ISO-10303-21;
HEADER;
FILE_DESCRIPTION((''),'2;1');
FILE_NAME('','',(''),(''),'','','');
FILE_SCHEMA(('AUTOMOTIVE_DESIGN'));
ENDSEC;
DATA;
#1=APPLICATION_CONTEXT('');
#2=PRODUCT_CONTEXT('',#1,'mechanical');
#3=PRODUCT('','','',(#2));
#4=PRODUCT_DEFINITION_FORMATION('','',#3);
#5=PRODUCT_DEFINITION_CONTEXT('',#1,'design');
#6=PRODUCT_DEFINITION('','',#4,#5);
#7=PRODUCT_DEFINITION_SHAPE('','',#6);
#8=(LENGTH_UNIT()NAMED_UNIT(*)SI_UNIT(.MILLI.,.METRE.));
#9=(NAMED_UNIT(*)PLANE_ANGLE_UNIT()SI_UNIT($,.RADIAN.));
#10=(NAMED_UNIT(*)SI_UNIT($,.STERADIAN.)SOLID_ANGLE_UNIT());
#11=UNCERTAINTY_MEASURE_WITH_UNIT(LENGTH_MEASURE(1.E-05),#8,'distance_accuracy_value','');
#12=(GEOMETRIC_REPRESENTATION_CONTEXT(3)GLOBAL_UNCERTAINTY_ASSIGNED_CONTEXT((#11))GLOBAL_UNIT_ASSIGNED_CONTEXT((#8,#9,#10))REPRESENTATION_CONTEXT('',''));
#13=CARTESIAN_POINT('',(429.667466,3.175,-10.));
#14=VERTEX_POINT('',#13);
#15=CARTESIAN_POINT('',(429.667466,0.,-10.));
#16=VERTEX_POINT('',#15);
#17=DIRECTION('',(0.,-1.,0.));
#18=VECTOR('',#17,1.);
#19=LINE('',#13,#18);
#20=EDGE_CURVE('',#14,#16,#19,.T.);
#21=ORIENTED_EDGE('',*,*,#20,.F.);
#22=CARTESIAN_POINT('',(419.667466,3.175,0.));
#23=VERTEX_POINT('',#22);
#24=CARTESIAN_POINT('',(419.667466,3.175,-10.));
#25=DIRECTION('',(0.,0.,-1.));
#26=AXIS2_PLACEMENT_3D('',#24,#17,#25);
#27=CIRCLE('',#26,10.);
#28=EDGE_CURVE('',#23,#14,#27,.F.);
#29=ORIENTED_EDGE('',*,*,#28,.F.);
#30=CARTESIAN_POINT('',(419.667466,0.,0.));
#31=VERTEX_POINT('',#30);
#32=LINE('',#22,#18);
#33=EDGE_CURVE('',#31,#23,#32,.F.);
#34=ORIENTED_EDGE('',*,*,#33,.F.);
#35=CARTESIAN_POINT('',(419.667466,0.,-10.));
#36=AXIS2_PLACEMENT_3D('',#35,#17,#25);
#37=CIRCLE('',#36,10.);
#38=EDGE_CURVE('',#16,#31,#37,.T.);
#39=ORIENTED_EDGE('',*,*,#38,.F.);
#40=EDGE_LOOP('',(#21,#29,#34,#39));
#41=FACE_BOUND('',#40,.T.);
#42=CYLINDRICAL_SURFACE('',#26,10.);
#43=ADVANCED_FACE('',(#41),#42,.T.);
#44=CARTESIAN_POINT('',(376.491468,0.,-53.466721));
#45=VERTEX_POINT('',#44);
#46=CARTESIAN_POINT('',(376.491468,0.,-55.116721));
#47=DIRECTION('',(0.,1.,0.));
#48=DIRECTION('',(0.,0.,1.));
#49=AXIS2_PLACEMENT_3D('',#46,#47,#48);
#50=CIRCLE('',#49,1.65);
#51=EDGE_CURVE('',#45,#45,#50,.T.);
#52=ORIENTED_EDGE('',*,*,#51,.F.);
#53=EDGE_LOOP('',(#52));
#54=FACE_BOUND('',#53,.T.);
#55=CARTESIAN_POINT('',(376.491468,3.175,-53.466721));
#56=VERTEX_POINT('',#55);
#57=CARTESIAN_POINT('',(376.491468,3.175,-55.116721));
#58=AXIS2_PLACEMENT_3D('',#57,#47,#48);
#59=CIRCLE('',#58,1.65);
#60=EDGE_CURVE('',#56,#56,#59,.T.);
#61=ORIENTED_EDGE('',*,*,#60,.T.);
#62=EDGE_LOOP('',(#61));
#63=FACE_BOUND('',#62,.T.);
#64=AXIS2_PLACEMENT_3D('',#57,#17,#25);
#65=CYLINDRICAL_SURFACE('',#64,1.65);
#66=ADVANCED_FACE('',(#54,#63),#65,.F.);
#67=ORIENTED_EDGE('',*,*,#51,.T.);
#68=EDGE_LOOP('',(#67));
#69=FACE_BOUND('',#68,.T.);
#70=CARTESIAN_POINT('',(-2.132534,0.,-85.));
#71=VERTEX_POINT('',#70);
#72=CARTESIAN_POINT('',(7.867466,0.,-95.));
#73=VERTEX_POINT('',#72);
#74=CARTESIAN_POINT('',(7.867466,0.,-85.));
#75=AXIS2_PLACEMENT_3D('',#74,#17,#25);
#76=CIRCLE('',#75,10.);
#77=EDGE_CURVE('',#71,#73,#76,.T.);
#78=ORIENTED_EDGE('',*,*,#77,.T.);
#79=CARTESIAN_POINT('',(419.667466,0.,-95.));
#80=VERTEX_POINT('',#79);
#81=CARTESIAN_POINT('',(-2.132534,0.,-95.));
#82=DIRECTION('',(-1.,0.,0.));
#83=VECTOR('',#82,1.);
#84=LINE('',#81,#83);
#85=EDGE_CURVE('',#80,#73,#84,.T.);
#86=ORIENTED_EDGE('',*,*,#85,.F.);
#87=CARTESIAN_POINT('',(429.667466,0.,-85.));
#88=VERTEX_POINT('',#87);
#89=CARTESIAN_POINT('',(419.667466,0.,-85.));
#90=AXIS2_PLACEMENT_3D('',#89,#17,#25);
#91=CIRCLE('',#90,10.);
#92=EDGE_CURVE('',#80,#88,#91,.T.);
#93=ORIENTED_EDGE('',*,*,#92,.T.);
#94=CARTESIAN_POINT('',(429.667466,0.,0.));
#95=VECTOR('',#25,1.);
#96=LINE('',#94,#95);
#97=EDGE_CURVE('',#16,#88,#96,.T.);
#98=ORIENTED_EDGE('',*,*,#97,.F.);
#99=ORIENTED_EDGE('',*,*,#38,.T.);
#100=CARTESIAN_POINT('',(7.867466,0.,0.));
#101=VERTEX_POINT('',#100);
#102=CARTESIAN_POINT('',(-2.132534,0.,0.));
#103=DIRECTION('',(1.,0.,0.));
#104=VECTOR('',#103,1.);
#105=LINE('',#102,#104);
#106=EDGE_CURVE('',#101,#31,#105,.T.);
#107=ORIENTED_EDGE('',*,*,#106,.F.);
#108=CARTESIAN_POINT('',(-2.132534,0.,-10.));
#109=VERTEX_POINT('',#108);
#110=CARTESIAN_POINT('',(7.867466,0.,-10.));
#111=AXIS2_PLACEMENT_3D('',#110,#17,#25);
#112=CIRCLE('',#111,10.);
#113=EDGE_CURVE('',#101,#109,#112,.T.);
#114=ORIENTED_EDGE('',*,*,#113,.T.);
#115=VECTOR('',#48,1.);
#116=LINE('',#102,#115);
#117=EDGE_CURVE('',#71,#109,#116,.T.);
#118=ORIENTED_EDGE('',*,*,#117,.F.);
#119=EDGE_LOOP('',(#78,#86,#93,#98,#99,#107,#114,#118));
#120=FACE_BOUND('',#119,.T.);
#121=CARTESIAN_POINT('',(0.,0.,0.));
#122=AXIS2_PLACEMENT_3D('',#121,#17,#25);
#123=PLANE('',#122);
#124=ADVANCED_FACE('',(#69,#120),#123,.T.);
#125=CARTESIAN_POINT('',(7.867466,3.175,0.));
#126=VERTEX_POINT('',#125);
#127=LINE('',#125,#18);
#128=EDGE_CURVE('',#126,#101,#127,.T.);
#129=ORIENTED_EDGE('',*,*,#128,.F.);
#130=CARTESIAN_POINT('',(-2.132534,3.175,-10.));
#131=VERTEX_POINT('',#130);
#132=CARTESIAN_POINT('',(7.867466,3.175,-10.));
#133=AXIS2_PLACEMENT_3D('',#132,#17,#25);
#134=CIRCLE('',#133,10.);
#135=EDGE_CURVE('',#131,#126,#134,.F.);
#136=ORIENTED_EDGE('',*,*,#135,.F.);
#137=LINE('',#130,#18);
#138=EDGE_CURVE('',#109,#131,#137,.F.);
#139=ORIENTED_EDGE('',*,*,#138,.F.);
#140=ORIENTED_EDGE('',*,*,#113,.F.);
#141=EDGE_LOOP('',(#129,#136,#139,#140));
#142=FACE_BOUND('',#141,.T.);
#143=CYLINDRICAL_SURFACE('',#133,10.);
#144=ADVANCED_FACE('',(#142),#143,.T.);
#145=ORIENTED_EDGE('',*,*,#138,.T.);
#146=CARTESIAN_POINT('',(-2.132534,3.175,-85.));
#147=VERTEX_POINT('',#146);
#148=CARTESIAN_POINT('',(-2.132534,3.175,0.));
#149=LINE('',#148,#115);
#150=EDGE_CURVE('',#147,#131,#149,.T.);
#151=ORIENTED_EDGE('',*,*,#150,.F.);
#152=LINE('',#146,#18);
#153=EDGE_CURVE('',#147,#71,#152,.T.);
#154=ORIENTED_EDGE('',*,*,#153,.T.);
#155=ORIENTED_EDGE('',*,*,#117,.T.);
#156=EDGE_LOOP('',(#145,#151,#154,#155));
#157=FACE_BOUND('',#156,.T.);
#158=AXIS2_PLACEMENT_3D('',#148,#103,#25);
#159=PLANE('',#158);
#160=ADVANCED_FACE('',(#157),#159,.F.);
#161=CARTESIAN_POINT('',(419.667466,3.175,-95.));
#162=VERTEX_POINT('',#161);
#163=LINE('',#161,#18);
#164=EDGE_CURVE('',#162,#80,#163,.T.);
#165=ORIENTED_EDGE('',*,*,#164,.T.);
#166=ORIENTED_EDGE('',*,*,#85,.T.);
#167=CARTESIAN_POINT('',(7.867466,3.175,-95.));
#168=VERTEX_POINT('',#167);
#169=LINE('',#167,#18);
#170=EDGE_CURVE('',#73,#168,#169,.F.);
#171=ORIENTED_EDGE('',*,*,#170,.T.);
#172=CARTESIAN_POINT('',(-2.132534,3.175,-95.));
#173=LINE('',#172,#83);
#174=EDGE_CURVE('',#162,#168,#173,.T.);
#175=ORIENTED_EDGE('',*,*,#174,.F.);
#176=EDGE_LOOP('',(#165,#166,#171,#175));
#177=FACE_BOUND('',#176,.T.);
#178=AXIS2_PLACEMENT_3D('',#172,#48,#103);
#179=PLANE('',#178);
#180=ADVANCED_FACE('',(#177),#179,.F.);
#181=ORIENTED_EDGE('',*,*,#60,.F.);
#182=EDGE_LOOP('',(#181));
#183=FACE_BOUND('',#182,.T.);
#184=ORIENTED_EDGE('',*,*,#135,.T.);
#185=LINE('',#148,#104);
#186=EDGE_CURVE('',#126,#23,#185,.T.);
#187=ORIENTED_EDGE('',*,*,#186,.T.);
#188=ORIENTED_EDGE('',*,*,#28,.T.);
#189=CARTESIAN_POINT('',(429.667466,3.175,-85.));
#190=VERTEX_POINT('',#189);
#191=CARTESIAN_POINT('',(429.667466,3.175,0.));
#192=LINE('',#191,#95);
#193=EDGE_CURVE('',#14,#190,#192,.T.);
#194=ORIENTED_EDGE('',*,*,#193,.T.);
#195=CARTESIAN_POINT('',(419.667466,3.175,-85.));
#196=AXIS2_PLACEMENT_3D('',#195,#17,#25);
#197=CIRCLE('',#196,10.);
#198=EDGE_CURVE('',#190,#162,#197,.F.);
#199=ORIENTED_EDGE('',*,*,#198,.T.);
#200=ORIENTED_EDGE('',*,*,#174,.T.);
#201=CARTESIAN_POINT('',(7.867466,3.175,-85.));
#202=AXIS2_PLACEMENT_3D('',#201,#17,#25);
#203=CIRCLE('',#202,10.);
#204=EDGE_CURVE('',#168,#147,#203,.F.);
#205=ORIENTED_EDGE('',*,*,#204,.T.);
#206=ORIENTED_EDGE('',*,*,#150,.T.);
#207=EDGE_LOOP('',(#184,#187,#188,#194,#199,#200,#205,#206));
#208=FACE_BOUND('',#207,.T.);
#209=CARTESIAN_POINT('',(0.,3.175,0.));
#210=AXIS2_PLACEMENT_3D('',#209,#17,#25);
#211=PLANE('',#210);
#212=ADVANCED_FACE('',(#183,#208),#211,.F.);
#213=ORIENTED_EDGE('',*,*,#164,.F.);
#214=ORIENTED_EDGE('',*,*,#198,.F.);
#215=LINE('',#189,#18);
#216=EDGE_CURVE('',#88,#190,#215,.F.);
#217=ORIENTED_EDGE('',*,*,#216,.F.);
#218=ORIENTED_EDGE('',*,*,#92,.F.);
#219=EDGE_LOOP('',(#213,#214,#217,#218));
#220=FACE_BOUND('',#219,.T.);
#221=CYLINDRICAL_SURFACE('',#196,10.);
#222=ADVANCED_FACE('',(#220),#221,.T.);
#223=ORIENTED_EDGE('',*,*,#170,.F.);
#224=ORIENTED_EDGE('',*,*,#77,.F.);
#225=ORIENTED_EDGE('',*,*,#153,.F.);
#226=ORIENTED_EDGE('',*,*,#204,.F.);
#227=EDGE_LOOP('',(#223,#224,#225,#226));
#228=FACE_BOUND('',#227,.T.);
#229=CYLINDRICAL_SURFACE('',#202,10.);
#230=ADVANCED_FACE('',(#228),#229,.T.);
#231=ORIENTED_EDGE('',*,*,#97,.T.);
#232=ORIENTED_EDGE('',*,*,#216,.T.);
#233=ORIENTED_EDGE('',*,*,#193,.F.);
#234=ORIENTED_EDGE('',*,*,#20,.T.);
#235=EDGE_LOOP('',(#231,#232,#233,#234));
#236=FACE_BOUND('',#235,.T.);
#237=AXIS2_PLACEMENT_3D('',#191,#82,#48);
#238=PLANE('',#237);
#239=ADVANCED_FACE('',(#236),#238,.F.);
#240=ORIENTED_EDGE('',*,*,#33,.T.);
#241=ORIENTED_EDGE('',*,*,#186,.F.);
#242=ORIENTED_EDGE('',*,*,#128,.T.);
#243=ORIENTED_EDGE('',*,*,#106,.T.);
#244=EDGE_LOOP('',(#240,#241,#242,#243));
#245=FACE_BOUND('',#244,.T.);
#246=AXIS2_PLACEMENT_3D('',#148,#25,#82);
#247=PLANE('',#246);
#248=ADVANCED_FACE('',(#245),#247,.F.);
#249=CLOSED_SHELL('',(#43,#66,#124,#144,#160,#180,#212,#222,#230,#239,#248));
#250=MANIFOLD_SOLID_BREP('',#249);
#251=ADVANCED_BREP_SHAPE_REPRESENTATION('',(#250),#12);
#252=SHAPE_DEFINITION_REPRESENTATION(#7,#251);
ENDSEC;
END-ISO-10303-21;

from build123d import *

# Parameters (mm, degrees)
SKETCH1_W           = 431.8
SKETCH1_H           = 95
SKETCH1_R           = 1.65
BOSS_EXTRUDE1_DEPTH = 3.175
FILLET1_R           = 10


with BuildPart() as part:
    # Sketch1 → Boss-Extrude1 (new body)
    with BuildSketch(Plane(origin=(0, 0, 0), x_dir=(1, 0, 0), z_dir=(0, 1, 0))):
        with Locations((213.767466267, 47.5)):
            Rectangle(SKETCH1_W, SKETCH1_H)
        with Locations(Location((376.491467747, 55.116720807, 0), (0, 0, 270))):
            Circle(SKETCH1_R, mode=Mode.SUBTRACT)
    extrude(amount=BOSS_EXTRUDE1_DEPTH)

    # Fillet1
    fillet1_edges = [part.edges().sort_by_distance(p)[0] for p in [
        (-2.132533733, 1.5875, -95),
        (429.667466267, 1.5875, -95),
        (429.667466267, 1.5875, 0),
        (-2.132533733, 1.5875, 0),
    ]]
    fillet(fillet1_edges, radius=FILLET1_R)


solid = part.part
